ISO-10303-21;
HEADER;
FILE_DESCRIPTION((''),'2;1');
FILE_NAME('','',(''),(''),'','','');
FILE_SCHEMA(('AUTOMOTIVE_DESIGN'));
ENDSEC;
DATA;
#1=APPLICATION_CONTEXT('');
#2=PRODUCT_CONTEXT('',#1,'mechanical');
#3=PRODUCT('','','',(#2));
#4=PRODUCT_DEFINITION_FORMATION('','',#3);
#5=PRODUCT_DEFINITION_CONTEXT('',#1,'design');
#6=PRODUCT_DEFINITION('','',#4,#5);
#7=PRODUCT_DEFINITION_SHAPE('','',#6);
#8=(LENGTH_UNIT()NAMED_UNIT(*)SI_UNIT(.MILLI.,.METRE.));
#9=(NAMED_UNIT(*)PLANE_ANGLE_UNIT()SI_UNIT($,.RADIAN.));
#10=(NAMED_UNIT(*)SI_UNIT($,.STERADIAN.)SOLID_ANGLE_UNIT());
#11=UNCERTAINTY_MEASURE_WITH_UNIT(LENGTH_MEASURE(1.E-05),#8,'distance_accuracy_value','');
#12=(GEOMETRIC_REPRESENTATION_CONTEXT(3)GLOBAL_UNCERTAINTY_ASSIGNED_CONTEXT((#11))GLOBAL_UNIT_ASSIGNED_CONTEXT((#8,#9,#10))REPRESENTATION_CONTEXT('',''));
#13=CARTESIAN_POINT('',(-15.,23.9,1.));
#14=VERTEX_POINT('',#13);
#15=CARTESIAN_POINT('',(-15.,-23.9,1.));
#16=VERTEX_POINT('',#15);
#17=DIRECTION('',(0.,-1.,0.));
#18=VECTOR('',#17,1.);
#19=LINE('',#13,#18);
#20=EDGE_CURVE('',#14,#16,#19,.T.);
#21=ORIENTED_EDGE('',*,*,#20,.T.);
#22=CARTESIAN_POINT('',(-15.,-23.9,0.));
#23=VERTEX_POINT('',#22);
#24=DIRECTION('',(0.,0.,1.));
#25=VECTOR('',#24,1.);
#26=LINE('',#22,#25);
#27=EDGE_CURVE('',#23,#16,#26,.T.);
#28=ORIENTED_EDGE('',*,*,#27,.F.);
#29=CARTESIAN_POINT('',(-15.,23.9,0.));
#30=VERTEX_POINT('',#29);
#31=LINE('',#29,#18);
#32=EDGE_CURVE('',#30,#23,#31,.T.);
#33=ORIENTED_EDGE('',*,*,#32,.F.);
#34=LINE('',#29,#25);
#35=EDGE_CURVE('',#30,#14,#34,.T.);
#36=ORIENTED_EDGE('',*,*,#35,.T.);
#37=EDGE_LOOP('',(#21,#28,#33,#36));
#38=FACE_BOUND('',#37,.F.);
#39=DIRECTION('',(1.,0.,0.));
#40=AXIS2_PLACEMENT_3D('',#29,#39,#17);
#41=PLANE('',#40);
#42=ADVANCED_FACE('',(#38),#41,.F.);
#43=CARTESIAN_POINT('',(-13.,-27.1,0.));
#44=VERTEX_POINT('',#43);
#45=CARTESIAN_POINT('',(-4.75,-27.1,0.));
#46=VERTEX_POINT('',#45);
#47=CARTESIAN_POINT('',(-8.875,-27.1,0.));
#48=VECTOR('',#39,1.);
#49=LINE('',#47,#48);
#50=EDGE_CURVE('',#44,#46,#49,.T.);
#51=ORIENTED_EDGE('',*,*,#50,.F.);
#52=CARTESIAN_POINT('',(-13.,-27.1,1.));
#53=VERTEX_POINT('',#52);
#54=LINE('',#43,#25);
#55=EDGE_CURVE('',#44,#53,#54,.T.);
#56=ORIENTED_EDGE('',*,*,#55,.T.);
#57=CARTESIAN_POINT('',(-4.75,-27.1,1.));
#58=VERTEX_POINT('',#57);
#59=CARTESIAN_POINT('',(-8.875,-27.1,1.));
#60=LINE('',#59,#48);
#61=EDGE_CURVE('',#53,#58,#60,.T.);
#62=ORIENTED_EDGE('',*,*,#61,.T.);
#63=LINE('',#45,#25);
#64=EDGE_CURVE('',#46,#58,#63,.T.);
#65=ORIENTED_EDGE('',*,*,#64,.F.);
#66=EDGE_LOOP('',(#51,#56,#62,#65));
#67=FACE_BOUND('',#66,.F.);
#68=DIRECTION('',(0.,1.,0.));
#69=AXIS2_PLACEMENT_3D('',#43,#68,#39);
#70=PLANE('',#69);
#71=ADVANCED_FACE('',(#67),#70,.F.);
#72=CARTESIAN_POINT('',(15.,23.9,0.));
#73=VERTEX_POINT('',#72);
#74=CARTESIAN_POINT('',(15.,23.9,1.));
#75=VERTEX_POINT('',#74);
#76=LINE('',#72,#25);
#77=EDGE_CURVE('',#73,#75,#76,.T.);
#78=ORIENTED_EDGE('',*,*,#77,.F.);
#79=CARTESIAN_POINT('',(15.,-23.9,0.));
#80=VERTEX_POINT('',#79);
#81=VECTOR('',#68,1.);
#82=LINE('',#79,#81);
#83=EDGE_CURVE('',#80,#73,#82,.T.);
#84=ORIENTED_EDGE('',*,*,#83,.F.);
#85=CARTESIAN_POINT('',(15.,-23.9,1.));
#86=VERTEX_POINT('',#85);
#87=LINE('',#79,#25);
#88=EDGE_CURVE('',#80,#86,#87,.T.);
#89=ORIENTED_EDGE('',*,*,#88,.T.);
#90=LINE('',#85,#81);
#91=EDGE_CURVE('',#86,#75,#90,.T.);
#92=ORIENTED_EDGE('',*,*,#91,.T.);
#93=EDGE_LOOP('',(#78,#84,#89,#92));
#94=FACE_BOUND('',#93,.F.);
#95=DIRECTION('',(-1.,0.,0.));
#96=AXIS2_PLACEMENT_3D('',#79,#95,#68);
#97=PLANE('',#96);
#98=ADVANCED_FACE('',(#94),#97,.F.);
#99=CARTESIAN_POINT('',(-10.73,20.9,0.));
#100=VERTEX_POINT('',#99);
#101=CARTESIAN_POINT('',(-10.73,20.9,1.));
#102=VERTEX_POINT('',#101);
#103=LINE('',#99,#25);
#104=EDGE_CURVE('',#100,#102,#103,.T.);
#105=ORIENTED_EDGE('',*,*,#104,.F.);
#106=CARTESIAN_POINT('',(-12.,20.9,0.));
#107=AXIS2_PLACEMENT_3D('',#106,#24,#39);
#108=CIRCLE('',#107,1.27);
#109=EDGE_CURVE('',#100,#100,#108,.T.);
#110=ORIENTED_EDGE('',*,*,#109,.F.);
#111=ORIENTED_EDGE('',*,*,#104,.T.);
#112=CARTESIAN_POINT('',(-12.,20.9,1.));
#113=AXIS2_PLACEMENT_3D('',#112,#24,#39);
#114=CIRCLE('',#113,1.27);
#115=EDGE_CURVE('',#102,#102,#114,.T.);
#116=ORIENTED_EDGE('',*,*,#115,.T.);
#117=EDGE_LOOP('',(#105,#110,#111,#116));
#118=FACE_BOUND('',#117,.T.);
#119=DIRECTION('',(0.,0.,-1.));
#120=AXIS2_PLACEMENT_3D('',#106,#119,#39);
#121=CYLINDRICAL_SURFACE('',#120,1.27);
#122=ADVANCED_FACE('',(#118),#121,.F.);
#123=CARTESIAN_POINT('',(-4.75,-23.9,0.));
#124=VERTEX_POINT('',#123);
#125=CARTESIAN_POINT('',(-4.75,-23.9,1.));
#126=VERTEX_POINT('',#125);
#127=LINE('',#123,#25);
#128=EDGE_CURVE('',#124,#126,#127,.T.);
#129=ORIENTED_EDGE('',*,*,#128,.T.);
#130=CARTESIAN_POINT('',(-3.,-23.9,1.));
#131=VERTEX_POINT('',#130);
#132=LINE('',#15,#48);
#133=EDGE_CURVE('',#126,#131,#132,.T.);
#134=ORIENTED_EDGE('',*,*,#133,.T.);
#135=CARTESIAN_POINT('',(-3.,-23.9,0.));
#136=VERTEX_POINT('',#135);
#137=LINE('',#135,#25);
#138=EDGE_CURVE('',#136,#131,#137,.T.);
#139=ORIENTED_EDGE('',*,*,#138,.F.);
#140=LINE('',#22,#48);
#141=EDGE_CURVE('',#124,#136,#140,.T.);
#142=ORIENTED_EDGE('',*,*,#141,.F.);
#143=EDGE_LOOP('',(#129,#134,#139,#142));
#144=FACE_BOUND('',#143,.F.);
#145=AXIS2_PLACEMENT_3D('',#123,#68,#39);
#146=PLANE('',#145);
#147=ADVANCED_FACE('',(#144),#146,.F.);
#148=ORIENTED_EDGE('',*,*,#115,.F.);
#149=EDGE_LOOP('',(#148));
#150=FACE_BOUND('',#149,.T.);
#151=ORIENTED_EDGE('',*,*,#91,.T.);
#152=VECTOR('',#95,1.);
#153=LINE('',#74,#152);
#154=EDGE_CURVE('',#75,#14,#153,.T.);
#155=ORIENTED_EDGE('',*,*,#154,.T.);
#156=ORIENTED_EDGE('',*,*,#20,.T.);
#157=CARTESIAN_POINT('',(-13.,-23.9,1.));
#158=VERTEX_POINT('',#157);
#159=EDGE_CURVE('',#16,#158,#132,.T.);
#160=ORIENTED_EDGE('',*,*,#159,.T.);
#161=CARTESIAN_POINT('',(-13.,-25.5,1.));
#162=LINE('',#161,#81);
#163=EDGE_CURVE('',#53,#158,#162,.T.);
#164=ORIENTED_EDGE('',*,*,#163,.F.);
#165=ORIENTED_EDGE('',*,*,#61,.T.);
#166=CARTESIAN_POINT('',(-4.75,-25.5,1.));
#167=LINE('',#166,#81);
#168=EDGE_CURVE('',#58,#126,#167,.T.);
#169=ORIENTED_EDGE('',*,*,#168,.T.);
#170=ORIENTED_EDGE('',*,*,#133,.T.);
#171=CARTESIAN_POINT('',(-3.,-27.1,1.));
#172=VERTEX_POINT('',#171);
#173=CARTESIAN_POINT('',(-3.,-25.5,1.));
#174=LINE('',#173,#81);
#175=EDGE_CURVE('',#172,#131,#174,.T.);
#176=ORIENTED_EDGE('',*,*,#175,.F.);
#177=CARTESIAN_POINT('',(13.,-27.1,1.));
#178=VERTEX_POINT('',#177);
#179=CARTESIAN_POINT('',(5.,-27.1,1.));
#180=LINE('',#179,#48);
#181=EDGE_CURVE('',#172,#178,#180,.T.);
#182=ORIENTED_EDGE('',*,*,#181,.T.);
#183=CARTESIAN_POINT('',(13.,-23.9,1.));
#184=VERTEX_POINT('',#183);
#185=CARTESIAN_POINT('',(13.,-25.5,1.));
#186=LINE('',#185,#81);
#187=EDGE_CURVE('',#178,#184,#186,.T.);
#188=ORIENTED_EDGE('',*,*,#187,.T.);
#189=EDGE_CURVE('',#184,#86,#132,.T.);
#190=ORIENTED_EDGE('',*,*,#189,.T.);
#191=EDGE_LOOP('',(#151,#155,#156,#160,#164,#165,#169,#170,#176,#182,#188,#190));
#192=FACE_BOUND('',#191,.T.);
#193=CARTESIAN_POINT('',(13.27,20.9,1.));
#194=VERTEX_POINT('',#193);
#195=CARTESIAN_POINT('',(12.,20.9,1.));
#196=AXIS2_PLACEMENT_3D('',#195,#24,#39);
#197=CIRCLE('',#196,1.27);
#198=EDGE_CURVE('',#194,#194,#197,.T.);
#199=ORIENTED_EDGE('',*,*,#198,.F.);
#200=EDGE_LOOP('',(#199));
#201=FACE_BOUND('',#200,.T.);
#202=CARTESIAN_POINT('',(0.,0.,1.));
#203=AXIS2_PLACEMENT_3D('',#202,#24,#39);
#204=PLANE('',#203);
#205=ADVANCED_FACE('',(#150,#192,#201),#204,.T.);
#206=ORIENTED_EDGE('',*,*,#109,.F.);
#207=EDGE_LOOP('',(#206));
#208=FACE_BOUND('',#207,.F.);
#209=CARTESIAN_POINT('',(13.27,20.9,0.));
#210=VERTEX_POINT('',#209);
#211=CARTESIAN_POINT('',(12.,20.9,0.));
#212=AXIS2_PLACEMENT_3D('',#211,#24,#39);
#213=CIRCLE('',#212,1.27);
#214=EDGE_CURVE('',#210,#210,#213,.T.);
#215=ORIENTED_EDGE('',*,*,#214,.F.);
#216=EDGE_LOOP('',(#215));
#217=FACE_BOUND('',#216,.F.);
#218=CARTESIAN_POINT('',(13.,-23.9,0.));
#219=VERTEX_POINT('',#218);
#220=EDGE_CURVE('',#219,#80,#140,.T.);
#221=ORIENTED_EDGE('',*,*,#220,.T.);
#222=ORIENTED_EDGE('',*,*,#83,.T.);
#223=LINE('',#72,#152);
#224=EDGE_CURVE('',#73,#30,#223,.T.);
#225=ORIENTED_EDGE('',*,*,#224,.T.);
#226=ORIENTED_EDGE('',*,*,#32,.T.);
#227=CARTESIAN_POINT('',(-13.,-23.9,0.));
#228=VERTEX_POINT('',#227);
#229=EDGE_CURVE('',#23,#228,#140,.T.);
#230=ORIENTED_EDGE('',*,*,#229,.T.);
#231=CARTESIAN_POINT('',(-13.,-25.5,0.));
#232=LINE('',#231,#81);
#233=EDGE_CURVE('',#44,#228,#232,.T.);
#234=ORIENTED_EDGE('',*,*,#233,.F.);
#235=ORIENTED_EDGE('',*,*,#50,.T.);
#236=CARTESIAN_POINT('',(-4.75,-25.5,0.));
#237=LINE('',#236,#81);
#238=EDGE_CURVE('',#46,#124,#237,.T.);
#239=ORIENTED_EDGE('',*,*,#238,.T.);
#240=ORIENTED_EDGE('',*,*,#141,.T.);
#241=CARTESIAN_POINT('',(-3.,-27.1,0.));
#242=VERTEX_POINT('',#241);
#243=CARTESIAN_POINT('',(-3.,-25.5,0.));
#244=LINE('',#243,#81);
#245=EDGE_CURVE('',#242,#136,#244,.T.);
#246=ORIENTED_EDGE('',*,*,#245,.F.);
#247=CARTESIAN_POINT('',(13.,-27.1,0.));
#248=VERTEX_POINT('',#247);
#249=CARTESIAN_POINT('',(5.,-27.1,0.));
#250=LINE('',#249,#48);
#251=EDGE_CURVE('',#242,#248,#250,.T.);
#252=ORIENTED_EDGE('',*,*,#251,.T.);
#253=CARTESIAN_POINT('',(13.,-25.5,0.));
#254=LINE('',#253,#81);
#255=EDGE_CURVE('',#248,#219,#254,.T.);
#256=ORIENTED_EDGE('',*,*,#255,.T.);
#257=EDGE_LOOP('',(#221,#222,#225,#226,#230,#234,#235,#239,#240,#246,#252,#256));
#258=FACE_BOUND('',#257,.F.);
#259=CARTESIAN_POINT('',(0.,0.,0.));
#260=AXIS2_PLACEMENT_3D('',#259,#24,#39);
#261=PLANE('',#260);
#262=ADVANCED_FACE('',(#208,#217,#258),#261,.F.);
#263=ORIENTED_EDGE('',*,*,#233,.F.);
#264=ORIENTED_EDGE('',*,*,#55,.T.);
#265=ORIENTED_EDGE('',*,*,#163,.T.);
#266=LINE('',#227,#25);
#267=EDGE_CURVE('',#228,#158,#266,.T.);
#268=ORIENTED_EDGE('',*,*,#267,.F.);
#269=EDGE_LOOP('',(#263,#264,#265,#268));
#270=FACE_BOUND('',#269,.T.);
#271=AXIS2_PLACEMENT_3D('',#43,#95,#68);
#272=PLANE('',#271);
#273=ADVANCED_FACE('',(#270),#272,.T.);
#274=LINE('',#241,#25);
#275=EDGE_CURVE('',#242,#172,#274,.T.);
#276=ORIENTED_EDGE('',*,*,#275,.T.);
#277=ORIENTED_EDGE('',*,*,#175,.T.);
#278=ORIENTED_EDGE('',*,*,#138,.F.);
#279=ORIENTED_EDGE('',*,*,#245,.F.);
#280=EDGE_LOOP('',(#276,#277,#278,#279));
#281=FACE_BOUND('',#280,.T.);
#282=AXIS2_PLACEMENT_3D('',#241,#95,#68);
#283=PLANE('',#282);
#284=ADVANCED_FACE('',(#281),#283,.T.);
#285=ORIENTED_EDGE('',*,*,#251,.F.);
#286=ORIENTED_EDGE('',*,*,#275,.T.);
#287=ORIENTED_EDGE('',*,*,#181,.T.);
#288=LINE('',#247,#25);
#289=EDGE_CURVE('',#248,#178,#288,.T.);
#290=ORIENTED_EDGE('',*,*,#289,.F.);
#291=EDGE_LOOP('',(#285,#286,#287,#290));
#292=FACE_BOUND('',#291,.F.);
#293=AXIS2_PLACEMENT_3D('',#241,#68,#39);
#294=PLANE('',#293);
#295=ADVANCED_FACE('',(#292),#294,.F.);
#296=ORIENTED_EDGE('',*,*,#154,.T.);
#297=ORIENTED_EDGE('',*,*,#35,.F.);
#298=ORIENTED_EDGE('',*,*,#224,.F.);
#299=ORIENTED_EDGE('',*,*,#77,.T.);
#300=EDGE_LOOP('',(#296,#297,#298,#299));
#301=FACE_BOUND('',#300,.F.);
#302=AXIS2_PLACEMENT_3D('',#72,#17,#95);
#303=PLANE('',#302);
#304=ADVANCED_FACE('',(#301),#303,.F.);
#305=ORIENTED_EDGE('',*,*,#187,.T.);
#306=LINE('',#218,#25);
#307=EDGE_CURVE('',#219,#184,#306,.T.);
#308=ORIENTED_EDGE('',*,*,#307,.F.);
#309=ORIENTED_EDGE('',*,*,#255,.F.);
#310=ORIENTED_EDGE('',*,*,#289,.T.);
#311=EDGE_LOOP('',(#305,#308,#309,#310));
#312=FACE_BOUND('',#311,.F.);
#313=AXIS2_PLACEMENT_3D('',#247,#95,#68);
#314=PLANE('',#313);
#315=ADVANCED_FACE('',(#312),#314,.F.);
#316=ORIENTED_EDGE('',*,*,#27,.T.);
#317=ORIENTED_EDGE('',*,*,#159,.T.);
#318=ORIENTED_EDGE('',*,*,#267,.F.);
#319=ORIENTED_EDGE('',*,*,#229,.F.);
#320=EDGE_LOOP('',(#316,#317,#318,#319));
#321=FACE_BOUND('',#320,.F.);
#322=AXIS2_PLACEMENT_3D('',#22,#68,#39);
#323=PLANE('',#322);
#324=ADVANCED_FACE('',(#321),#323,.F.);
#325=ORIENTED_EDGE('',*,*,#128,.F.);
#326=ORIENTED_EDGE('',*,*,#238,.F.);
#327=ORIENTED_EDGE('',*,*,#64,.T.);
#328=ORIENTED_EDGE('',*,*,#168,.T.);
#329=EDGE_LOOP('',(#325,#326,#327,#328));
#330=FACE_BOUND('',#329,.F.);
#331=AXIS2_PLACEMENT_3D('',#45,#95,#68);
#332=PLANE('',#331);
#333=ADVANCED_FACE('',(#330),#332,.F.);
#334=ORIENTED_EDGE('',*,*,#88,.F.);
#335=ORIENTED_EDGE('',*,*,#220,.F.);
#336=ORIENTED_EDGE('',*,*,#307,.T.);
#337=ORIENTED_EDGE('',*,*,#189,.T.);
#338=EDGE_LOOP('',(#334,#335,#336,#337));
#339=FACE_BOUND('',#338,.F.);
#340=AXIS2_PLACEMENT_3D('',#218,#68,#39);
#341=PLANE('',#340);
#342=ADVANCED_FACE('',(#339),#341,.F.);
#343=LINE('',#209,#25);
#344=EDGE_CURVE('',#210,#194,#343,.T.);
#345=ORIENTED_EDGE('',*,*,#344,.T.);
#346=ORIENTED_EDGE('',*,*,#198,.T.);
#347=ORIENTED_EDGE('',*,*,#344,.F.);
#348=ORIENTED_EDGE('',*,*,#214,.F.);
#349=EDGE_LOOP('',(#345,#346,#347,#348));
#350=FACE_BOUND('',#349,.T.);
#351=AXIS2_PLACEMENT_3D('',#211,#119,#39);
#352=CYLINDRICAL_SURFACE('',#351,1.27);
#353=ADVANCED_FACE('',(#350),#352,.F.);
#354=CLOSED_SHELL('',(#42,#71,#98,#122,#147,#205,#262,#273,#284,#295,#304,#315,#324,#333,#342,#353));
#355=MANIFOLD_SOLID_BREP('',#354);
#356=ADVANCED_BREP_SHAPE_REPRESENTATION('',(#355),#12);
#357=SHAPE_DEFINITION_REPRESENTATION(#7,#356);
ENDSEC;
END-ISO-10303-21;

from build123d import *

# Parameters (mm, degrees)
F0_R     = 1.27
F0_W     = 8.25
F0_H     = 3.2
F0_W_2   = 16
F1_DEPTH = 1


with BuildPart() as f1:
    # F0 (on Top) → F1 (new body)
    with BuildSketch(Plane.XY):
        Polygon((15, 23.9), (-15, 23.9), (-15, -23.9), (-13, -23.9), (-4.75, -23.9), (-3, -23.9), (13, -23.9), (15, -23.9), align=None)
        with Locations((-12, 20.9)):
            Circle(F0_R, mode=Mode.SUBTRACT)
        with Locations((12, 20.9)):
            Circle(F0_R, mode=Mode.SUBTRACT)
        with Locations((-8.875, -25.5)):
            Rectangle(F0_W, F0_H)
        with Locations((5, -25.5)):
            Rectangle(F0_W_2, F0_H)
    extrude(amount=F1_DEPTH)


solid = f1.part
